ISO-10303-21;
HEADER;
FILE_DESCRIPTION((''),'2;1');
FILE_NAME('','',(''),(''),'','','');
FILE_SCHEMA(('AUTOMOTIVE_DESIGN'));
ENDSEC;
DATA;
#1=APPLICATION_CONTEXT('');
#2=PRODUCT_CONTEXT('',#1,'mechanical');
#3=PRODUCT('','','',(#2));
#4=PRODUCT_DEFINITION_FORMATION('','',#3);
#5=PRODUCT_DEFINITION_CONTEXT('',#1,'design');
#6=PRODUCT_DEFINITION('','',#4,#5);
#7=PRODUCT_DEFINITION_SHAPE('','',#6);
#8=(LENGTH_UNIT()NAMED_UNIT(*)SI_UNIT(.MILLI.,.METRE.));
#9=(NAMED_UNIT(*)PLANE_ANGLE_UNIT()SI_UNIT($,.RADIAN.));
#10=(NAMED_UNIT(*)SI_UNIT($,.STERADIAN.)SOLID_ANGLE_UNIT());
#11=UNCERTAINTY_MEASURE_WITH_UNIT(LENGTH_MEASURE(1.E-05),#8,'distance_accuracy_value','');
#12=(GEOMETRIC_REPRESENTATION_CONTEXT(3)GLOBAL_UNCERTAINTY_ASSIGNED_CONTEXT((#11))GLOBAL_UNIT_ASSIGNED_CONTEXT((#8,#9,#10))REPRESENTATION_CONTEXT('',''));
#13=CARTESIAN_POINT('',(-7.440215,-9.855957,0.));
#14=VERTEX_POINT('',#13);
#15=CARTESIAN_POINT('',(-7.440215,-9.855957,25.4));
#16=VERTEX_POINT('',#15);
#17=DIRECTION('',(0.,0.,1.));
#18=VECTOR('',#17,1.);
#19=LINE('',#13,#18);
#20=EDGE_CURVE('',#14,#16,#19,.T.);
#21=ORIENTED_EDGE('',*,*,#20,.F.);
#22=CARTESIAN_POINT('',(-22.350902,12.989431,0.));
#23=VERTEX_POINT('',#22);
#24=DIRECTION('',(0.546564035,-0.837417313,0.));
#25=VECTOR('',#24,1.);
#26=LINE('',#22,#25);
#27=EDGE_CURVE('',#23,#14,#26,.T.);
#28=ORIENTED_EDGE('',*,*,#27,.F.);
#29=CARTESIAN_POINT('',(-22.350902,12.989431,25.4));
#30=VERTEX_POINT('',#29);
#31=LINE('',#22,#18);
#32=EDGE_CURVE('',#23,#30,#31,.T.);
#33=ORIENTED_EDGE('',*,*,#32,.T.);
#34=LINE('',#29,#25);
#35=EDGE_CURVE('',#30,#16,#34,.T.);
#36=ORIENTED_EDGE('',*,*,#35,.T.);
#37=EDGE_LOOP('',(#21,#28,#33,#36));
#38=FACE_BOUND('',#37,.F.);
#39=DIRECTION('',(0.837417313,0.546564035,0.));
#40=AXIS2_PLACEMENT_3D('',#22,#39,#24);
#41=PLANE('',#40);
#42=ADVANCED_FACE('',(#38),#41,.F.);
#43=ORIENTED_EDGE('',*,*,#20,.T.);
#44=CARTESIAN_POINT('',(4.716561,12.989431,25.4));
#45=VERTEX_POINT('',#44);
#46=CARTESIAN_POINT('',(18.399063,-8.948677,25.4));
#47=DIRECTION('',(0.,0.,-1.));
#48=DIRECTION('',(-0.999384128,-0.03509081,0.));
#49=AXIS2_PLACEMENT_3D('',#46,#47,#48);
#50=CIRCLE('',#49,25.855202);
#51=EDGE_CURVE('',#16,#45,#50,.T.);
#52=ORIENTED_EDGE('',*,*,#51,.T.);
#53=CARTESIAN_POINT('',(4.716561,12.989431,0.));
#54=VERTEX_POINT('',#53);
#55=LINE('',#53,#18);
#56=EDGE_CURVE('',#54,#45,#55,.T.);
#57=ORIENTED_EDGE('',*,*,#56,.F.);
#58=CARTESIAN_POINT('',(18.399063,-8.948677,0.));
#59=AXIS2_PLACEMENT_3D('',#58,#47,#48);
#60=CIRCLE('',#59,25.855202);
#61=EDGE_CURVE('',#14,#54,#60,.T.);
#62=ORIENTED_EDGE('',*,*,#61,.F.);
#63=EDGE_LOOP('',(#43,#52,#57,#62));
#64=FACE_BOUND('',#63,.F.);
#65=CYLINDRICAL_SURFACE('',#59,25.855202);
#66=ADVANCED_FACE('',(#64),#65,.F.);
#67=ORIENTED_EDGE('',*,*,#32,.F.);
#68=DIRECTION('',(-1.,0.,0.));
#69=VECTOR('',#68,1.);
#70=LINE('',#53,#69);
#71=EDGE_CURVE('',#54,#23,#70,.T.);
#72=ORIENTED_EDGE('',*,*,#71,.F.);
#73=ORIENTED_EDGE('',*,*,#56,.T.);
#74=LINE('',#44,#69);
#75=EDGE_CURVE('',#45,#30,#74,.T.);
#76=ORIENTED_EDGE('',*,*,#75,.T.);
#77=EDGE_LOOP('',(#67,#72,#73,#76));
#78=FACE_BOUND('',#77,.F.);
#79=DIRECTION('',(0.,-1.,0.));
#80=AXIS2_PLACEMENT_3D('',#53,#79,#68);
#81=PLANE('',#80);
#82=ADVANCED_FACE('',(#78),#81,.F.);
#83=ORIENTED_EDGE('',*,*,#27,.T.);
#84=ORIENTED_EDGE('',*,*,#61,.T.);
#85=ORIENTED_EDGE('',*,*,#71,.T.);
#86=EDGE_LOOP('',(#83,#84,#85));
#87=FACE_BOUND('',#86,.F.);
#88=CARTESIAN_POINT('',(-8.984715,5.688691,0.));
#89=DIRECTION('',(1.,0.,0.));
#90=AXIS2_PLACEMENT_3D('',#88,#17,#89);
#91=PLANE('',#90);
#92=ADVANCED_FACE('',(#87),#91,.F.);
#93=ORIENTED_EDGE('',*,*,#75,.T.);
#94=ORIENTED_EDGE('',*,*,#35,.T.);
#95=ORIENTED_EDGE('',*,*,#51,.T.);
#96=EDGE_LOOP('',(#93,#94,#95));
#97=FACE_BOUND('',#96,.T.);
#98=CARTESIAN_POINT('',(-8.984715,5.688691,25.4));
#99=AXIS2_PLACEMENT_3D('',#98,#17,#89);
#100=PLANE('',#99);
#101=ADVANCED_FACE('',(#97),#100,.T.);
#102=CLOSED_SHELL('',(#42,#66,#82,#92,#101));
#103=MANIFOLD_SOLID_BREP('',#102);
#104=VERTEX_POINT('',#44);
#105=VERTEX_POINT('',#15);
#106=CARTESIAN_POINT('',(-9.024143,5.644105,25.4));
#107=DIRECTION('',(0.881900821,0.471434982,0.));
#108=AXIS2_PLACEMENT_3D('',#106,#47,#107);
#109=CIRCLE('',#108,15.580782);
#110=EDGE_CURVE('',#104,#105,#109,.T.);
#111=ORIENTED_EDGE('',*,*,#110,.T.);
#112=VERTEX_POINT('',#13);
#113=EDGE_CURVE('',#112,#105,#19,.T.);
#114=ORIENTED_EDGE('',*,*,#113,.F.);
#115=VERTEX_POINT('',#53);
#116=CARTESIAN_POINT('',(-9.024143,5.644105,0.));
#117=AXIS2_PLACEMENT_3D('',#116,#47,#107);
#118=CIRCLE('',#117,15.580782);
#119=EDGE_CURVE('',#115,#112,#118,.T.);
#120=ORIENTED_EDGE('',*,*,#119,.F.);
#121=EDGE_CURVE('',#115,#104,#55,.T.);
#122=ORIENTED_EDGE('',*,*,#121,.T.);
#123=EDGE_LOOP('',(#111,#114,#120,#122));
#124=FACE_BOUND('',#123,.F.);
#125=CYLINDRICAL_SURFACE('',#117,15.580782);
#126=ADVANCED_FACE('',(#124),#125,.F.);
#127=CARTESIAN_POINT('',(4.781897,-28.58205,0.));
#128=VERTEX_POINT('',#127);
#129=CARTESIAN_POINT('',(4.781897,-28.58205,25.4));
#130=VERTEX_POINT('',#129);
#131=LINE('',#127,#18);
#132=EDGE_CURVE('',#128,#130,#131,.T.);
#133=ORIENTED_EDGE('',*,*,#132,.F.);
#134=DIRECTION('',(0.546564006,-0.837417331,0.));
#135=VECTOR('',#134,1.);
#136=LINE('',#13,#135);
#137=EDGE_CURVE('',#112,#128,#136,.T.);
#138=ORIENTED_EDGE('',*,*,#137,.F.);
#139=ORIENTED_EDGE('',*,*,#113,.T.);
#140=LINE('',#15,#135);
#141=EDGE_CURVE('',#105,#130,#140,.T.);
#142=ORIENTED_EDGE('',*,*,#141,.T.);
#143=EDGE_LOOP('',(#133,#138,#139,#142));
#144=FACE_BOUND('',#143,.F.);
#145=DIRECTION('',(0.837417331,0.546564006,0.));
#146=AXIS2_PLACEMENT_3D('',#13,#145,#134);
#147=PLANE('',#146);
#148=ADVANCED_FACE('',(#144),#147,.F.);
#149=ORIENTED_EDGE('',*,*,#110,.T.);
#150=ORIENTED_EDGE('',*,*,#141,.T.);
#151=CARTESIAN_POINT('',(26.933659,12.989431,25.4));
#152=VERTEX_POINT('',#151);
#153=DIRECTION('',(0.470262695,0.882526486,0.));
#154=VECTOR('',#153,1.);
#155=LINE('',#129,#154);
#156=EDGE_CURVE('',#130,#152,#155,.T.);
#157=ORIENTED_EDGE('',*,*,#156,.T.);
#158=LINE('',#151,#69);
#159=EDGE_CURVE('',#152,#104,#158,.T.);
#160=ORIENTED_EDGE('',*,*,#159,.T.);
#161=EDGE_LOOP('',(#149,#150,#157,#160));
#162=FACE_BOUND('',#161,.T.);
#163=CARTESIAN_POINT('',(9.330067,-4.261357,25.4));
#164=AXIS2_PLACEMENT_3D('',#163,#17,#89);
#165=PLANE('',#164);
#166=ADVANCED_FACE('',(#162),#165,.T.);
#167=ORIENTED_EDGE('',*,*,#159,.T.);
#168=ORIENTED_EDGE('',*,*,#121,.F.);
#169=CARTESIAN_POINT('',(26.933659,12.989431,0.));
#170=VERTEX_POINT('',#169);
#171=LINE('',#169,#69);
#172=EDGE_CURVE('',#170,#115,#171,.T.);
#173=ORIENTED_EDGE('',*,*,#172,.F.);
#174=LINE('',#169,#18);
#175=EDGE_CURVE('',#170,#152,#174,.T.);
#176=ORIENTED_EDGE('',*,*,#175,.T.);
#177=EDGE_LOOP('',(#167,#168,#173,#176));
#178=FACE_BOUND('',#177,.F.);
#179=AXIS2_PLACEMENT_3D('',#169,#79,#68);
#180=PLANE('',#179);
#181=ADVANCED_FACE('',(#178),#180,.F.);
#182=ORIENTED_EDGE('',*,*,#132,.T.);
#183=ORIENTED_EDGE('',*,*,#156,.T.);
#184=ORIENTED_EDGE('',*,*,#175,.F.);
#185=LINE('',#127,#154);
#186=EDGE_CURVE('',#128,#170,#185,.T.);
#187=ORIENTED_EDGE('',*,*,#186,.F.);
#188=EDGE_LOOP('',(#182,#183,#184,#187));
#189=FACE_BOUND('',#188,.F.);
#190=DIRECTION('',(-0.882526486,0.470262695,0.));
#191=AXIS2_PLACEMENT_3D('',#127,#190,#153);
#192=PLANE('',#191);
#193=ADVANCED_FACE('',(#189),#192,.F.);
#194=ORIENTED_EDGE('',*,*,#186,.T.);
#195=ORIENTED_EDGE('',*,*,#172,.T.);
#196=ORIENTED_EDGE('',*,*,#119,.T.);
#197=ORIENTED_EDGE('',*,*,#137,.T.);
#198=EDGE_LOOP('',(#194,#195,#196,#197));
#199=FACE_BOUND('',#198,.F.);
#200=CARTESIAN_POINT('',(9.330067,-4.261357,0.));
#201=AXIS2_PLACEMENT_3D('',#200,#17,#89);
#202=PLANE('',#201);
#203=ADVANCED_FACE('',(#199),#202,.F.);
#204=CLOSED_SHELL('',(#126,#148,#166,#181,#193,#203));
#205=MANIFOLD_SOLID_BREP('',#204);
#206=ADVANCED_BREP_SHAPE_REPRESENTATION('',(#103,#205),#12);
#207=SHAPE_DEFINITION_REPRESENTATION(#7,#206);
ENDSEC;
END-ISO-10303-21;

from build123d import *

# Parameters (mm, degrees)
F1_DEPTH = 25.4


with BuildPart() as f1:
    # F0 (on Top) → F1 (new body)
    with BuildSketch(Plane.XY):
        with BuildLine():
            Line((4.716561, 12.989431), (-22.350902, 12.989431))
            Line((-22.350902, 12.989431), (-7.440215, -9.855957))
            ThreePointArc((-7.440215, -9.855957), (-4.42572, 3.197134), (4.716561, 12.989431))
        make_face()
        with BuildLine():
            ThreePointArc((4.716561, 12.989431), (4.730457, -1.675166), (-7.440215, -9.855957))
            Line((-7.440215, -9.855957), (4.781897, -28.58205))
            Line((4.781897, -28.58205), (26.933659, 12.989431))
            Line((26.933659, 12.989431), (4.716561, 12.989431))
        make_face()
    extrude(amount=F1_DEPTH)


solid = f1.part
